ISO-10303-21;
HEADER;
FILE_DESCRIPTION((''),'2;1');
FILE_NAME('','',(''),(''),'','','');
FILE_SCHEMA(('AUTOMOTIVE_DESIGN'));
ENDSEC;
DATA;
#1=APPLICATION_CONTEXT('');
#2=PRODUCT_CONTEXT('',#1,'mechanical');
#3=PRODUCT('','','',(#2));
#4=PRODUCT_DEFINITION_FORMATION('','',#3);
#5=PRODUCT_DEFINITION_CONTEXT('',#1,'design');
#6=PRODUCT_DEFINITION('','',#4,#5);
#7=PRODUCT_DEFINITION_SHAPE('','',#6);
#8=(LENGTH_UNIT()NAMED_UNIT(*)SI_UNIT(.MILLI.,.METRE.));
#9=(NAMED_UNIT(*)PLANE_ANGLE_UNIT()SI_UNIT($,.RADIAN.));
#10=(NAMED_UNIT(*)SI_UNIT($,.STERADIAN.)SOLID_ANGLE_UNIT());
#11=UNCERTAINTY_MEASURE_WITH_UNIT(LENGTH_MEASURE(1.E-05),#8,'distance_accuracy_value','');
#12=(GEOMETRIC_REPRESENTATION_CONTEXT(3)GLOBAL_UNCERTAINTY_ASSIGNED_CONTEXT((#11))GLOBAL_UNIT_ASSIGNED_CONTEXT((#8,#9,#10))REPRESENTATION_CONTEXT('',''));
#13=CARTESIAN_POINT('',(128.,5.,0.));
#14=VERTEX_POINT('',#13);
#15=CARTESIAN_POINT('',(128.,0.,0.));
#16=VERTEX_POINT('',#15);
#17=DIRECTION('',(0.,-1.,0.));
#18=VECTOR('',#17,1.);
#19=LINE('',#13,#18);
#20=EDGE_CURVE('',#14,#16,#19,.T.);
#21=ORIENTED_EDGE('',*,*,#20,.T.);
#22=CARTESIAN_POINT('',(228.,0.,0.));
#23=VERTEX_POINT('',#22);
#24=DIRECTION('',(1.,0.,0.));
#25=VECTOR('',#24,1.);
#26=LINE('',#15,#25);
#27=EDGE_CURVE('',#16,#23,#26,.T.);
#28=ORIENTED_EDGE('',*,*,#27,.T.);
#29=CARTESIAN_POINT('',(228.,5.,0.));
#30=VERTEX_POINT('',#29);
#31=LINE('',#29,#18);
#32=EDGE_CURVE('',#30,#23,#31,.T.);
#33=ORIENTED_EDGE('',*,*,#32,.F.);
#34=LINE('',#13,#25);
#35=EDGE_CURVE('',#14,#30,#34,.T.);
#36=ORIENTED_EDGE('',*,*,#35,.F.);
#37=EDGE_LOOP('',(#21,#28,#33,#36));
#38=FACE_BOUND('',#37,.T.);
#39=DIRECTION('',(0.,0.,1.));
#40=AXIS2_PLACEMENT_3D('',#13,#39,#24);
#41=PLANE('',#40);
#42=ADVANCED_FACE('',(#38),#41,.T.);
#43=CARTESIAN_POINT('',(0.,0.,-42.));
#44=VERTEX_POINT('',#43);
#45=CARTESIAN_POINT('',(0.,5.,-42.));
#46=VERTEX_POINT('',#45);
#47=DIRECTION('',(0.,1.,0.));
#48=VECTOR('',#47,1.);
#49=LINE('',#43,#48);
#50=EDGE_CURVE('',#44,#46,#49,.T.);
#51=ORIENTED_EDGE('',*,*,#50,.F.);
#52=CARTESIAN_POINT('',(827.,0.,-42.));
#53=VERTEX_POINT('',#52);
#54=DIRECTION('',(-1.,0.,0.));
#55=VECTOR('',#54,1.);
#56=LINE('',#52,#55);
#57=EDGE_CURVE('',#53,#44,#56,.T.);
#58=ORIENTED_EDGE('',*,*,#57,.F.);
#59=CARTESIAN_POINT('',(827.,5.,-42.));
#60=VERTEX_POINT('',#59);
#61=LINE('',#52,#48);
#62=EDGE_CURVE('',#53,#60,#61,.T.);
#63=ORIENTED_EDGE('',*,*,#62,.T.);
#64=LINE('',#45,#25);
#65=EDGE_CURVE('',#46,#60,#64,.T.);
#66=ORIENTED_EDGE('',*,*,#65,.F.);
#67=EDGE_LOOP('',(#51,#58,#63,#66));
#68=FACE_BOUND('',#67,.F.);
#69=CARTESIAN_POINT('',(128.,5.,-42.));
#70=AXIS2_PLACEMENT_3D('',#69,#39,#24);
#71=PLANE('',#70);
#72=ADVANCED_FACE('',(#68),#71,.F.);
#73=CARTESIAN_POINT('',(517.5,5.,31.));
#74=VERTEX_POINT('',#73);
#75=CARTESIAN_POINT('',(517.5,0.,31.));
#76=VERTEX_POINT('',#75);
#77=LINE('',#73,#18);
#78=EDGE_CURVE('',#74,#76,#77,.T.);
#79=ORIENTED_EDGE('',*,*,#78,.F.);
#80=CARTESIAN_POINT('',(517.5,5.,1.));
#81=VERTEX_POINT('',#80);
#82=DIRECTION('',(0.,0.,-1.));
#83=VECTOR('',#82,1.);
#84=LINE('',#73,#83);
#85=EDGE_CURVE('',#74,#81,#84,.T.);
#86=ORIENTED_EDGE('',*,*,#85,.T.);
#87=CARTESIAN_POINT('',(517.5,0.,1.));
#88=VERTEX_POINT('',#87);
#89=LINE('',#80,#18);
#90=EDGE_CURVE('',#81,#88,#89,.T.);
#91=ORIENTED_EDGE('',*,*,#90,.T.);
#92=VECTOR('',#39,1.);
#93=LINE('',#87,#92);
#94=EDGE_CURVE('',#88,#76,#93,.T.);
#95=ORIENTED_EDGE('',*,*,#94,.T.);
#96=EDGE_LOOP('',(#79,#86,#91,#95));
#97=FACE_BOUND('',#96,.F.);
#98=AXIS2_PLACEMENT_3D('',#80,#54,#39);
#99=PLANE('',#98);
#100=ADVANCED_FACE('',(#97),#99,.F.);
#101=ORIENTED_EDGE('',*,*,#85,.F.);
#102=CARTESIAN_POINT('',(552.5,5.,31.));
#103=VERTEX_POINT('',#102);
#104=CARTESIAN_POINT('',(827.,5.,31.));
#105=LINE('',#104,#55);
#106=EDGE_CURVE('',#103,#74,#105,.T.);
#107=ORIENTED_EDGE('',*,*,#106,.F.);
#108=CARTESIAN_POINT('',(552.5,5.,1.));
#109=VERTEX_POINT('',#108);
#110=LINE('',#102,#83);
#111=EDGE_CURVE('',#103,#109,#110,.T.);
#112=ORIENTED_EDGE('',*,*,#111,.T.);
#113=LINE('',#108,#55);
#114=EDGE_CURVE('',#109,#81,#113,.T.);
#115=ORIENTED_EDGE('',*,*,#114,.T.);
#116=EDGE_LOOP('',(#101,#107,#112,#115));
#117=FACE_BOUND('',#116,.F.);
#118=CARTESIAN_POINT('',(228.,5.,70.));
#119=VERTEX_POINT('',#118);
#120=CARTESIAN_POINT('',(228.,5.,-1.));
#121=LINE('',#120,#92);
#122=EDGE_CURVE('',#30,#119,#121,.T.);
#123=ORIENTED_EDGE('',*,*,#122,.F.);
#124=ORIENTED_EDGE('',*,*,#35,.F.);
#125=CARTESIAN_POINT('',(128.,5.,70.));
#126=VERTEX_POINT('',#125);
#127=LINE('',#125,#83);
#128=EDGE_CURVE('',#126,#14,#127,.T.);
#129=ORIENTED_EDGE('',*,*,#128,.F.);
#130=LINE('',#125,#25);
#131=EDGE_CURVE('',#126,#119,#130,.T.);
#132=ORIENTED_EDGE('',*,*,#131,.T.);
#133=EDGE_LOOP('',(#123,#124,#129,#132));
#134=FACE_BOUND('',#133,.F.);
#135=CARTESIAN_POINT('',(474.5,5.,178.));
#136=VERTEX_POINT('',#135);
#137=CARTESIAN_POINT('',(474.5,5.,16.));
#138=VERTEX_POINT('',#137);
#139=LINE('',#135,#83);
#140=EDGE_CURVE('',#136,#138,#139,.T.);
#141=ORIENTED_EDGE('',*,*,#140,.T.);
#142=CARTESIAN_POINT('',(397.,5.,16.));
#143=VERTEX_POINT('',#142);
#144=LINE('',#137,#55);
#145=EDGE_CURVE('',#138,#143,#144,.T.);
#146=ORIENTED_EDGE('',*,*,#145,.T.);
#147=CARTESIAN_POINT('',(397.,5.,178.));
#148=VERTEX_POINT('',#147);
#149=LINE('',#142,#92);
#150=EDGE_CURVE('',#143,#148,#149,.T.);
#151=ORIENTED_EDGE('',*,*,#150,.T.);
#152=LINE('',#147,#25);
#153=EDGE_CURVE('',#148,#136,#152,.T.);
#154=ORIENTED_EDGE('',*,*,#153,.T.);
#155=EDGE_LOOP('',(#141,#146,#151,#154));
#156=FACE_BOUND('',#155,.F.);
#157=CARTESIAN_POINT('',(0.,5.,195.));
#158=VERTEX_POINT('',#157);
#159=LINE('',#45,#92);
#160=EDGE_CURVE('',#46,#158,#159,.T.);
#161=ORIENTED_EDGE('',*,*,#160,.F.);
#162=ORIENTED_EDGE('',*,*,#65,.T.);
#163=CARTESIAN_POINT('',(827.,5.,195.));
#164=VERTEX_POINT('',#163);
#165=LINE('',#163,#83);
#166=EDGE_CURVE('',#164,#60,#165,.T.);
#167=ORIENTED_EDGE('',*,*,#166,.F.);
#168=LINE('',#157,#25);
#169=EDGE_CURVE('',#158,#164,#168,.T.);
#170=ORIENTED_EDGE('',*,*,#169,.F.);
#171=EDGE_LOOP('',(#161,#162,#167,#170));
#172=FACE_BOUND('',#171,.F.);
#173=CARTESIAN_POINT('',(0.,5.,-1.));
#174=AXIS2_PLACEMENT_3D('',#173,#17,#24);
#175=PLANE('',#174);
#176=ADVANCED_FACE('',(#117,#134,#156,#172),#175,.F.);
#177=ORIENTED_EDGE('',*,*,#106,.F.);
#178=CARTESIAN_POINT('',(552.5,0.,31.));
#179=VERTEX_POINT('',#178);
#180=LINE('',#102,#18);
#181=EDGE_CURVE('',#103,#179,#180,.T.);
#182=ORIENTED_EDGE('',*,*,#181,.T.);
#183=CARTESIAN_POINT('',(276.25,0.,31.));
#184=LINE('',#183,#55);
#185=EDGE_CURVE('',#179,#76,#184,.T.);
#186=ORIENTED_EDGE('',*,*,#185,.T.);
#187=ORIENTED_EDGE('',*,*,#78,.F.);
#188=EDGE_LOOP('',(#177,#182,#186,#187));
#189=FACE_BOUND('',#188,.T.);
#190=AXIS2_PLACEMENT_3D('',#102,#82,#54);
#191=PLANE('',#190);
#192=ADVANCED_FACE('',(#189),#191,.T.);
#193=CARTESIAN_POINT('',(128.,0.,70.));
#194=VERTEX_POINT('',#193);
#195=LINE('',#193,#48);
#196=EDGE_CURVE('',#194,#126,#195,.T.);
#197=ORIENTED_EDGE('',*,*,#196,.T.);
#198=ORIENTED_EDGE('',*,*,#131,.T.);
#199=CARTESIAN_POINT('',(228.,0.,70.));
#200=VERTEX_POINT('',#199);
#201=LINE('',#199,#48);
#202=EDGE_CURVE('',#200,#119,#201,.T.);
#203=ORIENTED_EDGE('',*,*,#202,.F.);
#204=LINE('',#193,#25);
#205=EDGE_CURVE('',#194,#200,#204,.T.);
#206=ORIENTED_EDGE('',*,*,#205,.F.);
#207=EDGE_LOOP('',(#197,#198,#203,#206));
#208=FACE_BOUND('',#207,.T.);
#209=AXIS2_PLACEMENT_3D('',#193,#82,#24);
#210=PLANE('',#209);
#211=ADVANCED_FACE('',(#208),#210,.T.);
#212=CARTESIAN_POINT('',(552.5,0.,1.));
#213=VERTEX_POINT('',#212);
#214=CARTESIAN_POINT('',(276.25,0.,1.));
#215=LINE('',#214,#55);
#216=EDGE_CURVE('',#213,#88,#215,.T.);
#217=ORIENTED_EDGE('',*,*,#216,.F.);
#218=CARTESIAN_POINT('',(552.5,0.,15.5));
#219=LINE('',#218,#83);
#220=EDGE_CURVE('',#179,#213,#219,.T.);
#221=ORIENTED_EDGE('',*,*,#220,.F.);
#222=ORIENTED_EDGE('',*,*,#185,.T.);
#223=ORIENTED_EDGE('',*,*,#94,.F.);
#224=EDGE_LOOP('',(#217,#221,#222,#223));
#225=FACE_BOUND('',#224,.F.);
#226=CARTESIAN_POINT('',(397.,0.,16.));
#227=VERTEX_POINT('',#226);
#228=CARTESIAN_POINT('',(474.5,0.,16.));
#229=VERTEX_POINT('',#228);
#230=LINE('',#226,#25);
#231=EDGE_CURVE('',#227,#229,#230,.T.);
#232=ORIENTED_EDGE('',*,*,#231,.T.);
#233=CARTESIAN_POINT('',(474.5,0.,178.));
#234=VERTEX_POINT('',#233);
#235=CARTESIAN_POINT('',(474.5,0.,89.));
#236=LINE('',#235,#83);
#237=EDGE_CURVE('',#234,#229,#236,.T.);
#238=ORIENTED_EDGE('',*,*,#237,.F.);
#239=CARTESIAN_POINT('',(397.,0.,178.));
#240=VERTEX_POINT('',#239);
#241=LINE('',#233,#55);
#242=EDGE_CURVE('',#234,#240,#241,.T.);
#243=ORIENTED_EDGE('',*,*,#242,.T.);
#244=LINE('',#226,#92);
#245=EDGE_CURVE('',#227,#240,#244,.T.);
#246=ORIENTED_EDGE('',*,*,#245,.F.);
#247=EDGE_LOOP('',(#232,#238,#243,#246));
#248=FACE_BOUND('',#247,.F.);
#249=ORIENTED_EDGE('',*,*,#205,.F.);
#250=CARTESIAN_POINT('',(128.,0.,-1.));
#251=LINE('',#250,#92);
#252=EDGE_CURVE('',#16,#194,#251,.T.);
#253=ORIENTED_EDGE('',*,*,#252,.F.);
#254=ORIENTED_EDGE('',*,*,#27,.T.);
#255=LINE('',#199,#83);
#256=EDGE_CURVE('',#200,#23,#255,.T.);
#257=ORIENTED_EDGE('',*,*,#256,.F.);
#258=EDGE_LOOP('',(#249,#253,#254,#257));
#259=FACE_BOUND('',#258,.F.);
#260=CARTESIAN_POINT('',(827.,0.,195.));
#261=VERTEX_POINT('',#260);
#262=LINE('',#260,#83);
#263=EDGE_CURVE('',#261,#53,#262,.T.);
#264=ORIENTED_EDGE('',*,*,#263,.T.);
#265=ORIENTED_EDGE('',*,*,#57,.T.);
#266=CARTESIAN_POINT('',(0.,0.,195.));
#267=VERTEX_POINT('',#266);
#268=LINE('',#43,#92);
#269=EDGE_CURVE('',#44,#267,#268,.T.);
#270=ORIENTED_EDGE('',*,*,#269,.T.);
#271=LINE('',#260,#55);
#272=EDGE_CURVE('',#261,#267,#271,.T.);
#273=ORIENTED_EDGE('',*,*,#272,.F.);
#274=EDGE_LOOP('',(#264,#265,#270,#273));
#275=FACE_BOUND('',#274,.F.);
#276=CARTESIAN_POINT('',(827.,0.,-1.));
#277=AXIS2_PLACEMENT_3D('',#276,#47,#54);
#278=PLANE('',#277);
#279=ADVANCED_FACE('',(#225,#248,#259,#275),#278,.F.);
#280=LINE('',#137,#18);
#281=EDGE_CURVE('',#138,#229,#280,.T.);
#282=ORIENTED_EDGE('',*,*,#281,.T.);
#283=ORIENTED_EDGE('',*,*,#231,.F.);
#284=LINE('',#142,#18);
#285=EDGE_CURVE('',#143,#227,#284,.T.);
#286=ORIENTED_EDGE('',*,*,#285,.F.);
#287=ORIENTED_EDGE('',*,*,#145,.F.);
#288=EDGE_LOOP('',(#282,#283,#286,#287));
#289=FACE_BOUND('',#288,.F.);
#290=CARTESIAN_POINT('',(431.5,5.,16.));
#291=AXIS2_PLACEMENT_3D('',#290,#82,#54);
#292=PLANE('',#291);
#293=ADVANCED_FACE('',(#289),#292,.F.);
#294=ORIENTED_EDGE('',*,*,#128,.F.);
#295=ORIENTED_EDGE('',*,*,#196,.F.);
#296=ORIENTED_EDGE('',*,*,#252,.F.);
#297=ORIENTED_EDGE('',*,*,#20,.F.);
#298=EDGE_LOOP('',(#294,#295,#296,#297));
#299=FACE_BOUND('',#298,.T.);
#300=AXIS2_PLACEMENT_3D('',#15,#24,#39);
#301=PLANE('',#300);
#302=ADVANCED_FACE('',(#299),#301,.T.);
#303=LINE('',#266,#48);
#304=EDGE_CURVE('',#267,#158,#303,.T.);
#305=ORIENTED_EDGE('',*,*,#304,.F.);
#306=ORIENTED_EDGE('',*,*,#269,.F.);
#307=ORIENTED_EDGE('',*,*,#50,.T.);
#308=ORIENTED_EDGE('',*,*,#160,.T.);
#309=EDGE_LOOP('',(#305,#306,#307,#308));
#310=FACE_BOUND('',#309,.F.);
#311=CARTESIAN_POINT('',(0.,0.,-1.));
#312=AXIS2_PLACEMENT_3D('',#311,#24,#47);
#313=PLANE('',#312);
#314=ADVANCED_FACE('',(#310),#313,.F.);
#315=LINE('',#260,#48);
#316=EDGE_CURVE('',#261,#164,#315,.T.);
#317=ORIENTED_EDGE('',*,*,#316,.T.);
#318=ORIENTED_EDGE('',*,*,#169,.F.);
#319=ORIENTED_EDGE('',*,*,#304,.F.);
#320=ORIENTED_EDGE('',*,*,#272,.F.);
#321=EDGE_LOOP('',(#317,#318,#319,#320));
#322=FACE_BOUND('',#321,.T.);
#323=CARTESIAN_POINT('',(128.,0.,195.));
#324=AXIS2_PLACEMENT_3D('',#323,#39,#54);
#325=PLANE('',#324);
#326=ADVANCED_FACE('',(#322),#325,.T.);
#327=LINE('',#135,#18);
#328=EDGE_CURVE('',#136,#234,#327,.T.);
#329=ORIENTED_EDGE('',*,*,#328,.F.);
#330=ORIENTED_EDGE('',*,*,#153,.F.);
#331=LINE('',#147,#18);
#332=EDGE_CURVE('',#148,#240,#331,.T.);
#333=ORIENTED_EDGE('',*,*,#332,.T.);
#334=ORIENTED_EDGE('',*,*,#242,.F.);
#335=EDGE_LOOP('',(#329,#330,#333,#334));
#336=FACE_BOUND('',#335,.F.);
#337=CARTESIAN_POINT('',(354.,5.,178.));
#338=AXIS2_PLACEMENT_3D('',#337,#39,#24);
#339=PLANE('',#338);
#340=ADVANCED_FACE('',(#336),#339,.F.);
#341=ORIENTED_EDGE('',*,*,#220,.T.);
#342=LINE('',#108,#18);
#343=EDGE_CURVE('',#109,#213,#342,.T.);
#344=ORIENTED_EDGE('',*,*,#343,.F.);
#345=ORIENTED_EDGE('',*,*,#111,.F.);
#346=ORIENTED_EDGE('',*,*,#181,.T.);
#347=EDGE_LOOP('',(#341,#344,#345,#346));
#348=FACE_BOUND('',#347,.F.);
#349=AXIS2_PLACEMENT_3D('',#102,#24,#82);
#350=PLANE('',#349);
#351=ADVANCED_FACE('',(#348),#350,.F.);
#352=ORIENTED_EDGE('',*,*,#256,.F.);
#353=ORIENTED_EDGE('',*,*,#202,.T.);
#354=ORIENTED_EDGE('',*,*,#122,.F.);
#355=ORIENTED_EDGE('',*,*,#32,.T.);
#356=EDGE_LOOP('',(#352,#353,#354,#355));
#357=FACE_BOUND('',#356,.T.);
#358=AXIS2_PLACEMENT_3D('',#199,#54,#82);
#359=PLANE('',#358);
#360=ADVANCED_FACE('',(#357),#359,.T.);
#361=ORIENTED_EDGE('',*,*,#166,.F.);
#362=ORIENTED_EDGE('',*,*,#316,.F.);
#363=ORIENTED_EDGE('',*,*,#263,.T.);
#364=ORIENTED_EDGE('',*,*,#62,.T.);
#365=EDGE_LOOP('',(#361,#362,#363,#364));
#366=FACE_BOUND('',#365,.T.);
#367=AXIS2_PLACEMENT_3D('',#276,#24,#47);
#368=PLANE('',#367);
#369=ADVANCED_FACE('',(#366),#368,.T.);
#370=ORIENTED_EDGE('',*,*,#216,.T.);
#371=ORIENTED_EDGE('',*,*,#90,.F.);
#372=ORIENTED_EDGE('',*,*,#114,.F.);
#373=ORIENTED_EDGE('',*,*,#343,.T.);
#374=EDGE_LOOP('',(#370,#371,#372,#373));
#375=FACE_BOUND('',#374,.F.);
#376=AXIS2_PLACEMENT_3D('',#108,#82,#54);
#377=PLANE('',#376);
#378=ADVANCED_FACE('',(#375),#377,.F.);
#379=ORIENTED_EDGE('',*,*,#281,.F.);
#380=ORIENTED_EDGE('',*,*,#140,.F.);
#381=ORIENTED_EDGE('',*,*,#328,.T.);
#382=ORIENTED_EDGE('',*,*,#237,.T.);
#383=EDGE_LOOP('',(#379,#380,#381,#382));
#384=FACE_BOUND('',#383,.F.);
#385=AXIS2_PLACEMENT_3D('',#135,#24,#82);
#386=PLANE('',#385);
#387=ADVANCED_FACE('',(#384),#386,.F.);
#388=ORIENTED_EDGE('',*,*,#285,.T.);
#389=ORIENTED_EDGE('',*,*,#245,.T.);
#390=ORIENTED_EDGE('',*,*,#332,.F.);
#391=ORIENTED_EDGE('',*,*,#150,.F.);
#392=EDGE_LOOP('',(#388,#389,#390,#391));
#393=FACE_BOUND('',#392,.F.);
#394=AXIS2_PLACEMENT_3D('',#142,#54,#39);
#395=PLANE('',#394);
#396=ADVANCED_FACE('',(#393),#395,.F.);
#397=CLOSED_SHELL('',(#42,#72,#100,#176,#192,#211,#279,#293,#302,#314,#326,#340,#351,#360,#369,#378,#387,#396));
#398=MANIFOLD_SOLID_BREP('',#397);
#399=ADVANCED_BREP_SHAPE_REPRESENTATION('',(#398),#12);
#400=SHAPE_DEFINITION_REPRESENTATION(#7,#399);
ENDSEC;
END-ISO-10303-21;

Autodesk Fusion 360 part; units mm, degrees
sketch "Skizze1" plane through (0, 0, 0) normal (0, 1, 0) x (1, 0, 0)
  line L0 (0, 0) -> (827, 0)
  line L1 (827, 0) -> (827, -195)
  line L2 (827, -195) -> (0, -195)
  line L3 (0, -195) -> (0, 0)
  line L4 (0, -195) -> (128, -195)
  line L5 (128, -195) -> (128, -70)
  line L6 (128, -70) -> (228, -70)
  line L7 (228, -70) -> (228, 0)
  line L8 (228, 0) -> (128, 0)
  line L9 (128, 0) -> (128, -70)
  dimension "d1" = 827
  dimension "d2" = 195
  dimension "d3" = 128
  dimension "d4" = 125
  dimension "d5" = 100
  dimension "d6" = 70
extrude "Extrusion1" add sketch "Skizze1" along normal blind 5 contours L0 L2 L3 L4 L5 L9 | L0 L1 L2 L5 L6 L7
extrude "Extrusion2" add 2 faces at (427.6667, 1.6667, 0) (42.6667, 3.3333, 0) along direction (0, 0, -1) blind 1
sketch "Skizze2" plane through (0, 5, 0) normal (0, 1, 0) x (-1, 0, 0)
  line L0 (0, 195) -> (-827, 195)
  line L1 (-827, 195) -> (-827, -1)
  line L2 (-827, -1) -> (-228, -1)
  line L3 (-228, -1) -> (-228, 70)
  line L4 (-228, 70) -> (-128, 70)
  line L5 (-128, 70) -> (-128, -1)
  line L6 (-128, -1) -> (0, -1)
  line L7 (0, -1) -> (0, 195)
  line L8 (-128, -1) -> (-228, -1)
  line L9 (-128, -1) -> (-128, 0)
  line L10 (-128, 0) -> (-228, 0)
  line L11 (-228, -1) -> (-228, 0)
extrude "Extrusion3" add sketch "Skizze2" against normal blind 5 contours L3 L5 L8 L9 L10 L11
sketch "Skizze3" plane through (0, 5, 0) normal (0, 1, 0) x (-1, 0, 0)
  line L0 (-228, 0) -> (-228, 70)
  line L1 (-228, 70) -> (-128, 70)
  line L2 (-128, 70) -> (-128, 0)
  line L3 (-128, 0) -> (-228, 0)
  line L4 (-827, -1) -> (0, -1)
  line L5 (0, -1) -> (0, 195)
  line L6 (0, 195) -> (-827, 195)
  line L7 (-827, 195) -> (-827, -1)
  line L8 (0, 195) -> (-354, 195)
  line L9 (-354, 195) -> (-354, 178)
  line L10 (-354, 178) -> (-431.5, 178)
  line L11 (-431.5, 178) -> (-431.5, 16)
  line L12 (-431.5, 16) -> (-354, 16)
  line L13 (-354, 16) -> (-354, 178)
  dimension "d13" = 354
  dimension "d14" = 17
  dimension "d15" = 77.5
  dimension "d16" = 162
extrude "Extrusion4" cut sketch "Skizze3" against normal blind 5 contours L10 L11 L12 L13
sketch "Skizze4" plane through (0, 5, 0) normal (0, 1, 0) x (-1, 0, 0)
  line L0 (-431.5, 178) -> (-354, 178)
  line L1 (-354, 178) -> (-354, 16)
  line L2 (-354, 16) -> (-431.5, 16)
  line L3 (-228, 0) -> (-228, 70)
  line L4 (-228, 70) -> (-128, 70)
  line L5 (-128, 70) -> (-128, 0)
  line L6 (-128, 0) -> (-228, 0)
  line L7 (-827, -1) -> (0, -1)
  line L8 (0, -1) -> (0, 195)
  line L9 (0, 195) -> (-827, 195)
  line L10 (-827, 195) -> (-827, -1)
  line L11 (-827, -1) -> (-531, -1)
  line L12 (-531, -1) -> (-531, 195)
  line L13 (-531, 195) -> (-531, 33)
  line L14 (-531, 33) -> (-496, 33)
  line L15 (-496, 33) -> (-496, 3)
  line L16 (-496, 3) -> (-531, 3)
  line L17 (-531, 3) -> (-531, 33)
  line L18 (-431.5, 16) -> (-474.5, 16)
  line L19 (-474.5, 16) -> (-397, 16)
  line L20 (-397, 16) -> (-397, 178)
  line L21 (-397, 178) -> (-474.5, 178)
  line L22 (-474.5, 178) -> (-474.5, 16)
  dimension "d19" = 296
  dimension "d20" = 162
  dimension "d21" = 35
  dimension "d22" = 30
  dimension "d23" = 43
  dimension "d24" = 162
  dimension "d25" = 77.5
extrude "Extrusion5" add sketch "Skizze4" against normal blind 5 contours L0 L1 L2 L20
sketch "Skizze5" plane through (0, 5, 0) normal (0, 1, 0) x (-1, 0, 0)
extrude "Extrusion6" cut sketch "Skizze4" against normal blind 40 contours L0 L2 L18 L19 L20 L21 L22
sketch "Skizze6" plane through (0, 5, 0) normal (0, 1, 0) x (-1, 0, 0)
  line L0 (-827, -1) -> (0, -1)
  line L1 (0, -1) -> (0, 195)
  line L2 (0, 195) -> (-827, 195)
  line L3 (-827, 195) -> (-827, -1)
  line L4 (-228, 0) -> (-228, 70)
  line L5 (-228, 70) -> (-128, 70)
  line L6 (-128, 70) -> (-128, 0)
  line L7 (-128, 0) -> (-228, 0)
  line L8 (-397, 16) -> (-474.5, 16)
  line L9 (-474.5, 16) -> (-474.5, 178)
  line L10 (-474.5, 178) -> (-397, 178)
  line L11 (-397, 178) -> (-397, 16)
  line L12 (-474.5, 16) -> (-517.5, 16)
  line L13 (-827, 195) -> (-827, 31)
  line L14 (-827, 31) -> (-474.5, 31)
  line L15 (-517.5, 16) -> (-517.5, 31)
  line L16 (-517.5, 31) -> (-552.5, 31)
  line L17 (-552.5, 31) -> (-552.5, 1)
  line L18 (-552.5, 1) -> (-517.5, 1)
  line L19 (-517.5, 1) -> (-517.5, 31)
  dimension "d30" = 43
  dimension "d31" = 164
  dimension "d32" = 35
  dimension "d33" = 30
extrude "Extrusion7" cut sketch "Skizze6" against normal blind 50 contours L14 L15 L16 L17 L18 L19
extrude "Extrusion8" add 1 faces at (275.6667, 3.3333, -1) along direction (0, 0, -1) blind 41
